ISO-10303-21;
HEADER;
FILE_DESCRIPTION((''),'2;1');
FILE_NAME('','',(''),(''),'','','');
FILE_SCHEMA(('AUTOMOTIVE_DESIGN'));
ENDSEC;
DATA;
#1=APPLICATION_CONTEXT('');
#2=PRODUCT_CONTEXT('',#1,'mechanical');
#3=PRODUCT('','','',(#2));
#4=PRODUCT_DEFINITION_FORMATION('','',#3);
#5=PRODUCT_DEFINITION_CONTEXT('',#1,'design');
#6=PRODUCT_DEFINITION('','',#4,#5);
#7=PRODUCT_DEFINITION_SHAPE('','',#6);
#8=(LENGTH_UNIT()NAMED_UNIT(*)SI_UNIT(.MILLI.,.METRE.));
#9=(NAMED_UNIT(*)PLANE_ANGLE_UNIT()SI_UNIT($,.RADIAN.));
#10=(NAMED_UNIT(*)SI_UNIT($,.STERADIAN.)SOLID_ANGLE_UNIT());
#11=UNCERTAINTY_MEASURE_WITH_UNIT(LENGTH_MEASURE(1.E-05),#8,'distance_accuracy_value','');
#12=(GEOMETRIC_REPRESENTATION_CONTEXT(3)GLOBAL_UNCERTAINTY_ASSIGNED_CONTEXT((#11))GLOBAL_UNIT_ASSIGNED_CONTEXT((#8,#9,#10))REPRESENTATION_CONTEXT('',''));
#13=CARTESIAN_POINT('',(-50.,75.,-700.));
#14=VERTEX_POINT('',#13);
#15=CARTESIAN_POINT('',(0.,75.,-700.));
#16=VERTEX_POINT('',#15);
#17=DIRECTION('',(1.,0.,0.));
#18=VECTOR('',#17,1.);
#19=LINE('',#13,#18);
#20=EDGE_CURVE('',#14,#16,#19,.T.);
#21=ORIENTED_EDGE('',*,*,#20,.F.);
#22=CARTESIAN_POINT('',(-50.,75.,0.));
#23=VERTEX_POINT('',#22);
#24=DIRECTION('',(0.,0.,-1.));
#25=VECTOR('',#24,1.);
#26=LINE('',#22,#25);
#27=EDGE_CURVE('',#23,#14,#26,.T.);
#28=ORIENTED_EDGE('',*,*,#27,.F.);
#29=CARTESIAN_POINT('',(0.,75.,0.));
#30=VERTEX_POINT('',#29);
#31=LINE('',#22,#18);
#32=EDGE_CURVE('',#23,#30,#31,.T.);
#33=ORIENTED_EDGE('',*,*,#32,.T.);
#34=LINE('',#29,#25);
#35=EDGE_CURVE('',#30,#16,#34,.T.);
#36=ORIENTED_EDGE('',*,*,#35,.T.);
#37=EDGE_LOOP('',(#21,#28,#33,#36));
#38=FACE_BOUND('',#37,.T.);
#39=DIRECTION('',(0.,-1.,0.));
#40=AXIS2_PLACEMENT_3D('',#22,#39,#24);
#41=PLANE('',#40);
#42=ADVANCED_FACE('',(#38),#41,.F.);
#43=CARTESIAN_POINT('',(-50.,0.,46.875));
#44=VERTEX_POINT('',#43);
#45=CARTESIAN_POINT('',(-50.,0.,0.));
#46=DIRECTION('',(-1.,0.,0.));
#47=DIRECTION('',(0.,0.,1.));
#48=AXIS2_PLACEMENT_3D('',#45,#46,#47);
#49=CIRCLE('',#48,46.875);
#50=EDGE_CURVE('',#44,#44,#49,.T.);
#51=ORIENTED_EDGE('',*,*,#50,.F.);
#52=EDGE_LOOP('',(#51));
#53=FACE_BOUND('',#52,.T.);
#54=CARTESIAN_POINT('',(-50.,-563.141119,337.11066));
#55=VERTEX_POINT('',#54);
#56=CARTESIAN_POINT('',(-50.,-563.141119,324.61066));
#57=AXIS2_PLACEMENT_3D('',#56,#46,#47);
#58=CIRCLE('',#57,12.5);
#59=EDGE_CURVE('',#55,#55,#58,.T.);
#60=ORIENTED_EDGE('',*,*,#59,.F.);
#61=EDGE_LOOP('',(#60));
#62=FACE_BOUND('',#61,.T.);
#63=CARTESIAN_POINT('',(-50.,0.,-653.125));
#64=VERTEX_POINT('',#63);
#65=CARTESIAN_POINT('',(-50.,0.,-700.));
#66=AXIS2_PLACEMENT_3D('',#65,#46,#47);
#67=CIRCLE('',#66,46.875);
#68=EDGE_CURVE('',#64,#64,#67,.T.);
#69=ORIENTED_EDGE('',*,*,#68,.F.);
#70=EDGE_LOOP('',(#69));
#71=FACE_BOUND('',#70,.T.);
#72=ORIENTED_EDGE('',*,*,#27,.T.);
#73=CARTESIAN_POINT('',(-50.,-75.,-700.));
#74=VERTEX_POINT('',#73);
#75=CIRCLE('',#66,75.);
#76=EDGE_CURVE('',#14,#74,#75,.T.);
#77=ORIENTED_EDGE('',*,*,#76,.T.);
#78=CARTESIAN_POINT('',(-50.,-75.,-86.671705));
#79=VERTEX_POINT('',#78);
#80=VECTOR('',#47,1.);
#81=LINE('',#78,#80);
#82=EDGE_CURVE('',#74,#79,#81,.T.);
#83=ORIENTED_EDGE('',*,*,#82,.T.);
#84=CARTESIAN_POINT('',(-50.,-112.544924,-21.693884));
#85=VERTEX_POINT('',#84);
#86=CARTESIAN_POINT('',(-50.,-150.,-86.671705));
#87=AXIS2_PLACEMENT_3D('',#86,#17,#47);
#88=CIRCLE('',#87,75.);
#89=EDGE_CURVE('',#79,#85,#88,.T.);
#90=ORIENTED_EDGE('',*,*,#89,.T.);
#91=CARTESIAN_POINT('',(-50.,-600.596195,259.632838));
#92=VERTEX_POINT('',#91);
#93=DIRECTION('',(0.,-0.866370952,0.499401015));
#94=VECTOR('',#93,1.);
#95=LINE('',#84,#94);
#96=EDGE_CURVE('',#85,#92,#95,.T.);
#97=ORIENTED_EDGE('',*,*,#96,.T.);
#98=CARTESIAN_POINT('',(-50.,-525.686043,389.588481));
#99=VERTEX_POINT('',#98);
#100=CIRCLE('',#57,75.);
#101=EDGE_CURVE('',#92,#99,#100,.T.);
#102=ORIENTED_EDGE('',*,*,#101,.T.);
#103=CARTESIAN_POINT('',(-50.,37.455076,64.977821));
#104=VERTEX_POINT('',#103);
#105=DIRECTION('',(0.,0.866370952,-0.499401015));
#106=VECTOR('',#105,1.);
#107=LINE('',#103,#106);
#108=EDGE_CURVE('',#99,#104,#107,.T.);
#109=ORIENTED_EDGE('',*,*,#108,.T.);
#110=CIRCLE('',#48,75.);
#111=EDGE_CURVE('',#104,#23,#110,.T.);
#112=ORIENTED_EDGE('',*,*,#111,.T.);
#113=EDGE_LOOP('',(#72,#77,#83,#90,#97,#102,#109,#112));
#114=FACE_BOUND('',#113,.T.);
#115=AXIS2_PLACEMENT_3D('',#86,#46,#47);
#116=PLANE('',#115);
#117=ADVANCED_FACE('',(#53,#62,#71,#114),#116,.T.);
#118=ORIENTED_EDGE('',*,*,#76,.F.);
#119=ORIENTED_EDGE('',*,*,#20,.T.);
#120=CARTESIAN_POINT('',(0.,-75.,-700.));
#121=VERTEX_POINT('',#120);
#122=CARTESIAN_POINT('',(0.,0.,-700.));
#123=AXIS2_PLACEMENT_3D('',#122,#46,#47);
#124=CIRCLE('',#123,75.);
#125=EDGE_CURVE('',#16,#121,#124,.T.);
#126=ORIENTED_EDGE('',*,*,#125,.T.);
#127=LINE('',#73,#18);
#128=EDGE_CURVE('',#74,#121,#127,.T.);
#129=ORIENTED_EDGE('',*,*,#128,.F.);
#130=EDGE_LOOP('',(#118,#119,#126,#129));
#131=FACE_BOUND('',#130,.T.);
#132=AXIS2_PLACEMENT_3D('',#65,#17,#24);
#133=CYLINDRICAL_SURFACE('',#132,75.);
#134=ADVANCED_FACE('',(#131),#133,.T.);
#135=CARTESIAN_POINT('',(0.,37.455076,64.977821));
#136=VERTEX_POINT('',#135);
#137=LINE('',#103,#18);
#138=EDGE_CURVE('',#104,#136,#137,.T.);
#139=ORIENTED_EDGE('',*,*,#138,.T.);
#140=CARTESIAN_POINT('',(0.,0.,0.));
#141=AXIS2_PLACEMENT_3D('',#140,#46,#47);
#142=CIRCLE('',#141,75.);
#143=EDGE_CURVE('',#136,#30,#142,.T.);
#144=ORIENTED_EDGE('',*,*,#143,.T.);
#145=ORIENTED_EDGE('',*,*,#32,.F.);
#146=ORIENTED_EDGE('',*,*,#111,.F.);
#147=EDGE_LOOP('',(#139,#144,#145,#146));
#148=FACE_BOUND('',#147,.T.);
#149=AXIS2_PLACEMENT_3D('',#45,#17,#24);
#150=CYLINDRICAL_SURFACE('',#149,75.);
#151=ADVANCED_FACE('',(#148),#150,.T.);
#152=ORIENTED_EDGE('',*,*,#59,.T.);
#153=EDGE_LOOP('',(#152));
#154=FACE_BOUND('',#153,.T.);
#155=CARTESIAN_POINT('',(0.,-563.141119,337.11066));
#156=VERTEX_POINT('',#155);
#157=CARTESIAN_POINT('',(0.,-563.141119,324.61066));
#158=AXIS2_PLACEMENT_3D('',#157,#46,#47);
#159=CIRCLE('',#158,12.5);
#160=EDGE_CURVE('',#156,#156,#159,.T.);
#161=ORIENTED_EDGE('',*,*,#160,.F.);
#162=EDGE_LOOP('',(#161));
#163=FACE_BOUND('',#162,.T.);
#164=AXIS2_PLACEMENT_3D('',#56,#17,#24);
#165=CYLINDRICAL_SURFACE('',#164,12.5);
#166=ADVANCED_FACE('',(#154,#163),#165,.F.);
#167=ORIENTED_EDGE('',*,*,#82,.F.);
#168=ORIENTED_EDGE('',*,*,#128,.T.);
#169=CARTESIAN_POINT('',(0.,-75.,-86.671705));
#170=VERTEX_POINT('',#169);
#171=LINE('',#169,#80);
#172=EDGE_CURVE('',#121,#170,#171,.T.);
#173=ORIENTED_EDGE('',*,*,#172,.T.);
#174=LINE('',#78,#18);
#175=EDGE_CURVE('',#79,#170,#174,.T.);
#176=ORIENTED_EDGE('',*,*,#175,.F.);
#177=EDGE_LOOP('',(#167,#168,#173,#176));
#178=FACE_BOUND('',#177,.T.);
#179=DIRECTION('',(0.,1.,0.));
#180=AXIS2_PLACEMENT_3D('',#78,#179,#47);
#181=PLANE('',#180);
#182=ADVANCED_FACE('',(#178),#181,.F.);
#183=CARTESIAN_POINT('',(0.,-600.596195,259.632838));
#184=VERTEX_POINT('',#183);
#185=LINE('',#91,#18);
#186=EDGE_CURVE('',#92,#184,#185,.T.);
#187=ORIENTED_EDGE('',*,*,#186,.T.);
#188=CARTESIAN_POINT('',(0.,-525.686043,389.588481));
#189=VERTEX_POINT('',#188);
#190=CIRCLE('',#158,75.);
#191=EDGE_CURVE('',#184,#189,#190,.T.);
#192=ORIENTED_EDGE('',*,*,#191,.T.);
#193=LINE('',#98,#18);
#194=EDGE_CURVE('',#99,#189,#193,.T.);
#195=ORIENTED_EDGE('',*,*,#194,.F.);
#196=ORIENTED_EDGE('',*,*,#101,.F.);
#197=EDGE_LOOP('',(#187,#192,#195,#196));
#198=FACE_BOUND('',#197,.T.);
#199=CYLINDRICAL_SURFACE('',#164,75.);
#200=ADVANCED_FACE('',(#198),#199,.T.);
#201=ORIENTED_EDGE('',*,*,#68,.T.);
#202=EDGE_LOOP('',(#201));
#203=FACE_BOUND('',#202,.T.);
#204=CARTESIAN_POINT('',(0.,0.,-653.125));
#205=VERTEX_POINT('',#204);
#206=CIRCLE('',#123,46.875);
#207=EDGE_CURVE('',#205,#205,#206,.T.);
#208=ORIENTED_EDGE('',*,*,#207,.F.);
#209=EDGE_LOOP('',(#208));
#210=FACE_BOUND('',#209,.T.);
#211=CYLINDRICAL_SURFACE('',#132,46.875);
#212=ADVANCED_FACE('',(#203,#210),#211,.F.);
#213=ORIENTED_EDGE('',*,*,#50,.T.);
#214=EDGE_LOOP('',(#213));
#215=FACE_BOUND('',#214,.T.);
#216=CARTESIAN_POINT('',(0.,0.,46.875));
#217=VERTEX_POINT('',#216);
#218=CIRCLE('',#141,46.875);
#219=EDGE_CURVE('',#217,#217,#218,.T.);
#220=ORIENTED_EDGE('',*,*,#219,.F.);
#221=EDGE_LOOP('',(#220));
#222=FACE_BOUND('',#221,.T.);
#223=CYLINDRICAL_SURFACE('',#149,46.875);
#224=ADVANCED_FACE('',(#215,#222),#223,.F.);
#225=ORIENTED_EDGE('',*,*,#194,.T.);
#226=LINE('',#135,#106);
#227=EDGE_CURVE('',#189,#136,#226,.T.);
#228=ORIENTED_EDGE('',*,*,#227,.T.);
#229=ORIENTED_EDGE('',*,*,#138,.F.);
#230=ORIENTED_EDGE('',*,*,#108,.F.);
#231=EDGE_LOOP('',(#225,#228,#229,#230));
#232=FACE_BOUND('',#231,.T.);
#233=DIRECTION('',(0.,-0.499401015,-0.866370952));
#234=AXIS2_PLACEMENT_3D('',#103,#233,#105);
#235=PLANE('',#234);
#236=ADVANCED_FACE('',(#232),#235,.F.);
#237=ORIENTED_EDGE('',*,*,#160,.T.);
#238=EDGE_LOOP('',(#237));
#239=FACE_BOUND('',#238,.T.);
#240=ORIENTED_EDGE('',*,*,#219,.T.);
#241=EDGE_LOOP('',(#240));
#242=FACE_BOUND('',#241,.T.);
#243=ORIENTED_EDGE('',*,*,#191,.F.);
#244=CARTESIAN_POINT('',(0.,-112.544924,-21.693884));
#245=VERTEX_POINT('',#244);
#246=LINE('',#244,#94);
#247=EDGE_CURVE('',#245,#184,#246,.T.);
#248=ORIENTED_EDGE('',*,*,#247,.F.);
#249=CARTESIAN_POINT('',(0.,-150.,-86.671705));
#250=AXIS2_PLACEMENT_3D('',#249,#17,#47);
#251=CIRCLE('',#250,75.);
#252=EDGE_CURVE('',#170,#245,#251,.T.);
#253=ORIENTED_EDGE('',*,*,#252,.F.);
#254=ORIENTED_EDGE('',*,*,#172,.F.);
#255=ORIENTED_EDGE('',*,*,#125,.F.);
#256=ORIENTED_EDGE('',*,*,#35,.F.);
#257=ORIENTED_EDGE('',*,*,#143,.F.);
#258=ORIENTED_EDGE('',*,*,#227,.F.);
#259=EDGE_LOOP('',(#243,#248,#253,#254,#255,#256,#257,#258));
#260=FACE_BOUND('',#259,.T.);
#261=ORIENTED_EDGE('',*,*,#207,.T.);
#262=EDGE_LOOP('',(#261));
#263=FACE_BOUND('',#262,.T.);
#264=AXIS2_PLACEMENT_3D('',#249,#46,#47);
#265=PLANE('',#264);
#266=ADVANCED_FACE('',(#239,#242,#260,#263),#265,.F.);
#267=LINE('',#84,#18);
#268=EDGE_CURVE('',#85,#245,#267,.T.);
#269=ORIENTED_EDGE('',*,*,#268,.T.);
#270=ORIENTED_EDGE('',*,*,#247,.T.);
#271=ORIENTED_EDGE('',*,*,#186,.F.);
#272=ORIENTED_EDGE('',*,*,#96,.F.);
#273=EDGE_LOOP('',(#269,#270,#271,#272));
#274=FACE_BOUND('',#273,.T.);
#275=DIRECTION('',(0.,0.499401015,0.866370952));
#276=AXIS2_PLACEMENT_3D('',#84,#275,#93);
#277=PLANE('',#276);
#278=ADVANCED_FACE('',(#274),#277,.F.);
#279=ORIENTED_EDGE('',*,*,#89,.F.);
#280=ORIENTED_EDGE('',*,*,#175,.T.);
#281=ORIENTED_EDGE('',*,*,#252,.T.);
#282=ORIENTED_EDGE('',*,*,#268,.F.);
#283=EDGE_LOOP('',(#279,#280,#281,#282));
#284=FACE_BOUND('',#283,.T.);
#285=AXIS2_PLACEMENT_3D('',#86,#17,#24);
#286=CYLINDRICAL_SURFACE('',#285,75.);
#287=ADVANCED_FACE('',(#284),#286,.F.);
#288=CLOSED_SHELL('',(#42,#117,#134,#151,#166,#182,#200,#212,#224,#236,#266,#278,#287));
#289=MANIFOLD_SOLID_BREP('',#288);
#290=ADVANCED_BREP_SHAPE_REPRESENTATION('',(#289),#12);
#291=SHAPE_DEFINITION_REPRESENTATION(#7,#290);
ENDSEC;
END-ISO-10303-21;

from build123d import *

# Parameters (mm, degrees)
SKETCH1_R           = 46.875
SKETCH1_R_2         = 12.5
BOSS_EXTRUDE1_DEPTH = 50


with BuildPart() as part:
    # Sketch1 → Boss-Extrude1 (new body)
    with BuildSketch(Plane.ZY):
        with BuildLine():
            Line((-86.671705253, -75), (-700, -75))
            ThreePointArc((-700, -75), (-775, 0), (-700, 75))
            Line((-700, 75), (0, 75))
            ThreePointArc((0, 75), (37.522455225, 64.938935577), (64.977821402, 37.455076103))
            Line((64.977821402, 37.455076103), (389.588480961, -525.686042712))
            ThreePointArc((389.588480961, -525.686042712), (362.065735663, -628.118940217), (259.632838158, -600.596194918))
            Line((259.632838158, -600.596194918), (-21.693883852, -112.544923897))
            ThreePointArc((-21.693883852, -112.544923897), (-49.149250028, -85.061064423), (-86.671705253, -75))
        make_face()
        with Locations((-700, 0)):
            Circle(SKETCH1_R, mode=Mode.SUBTRACT)
        Circle(SKETCH1_R, mode=Mode.SUBTRACT)
        with Locations((324.61065956, -563.141118815)):
            Circle(SKETCH1_R_2, mode=Mode.SUBTRACT)
    extrude(amount=BOSS_EXTRUDE1_DEPTH)


solid = part.part
